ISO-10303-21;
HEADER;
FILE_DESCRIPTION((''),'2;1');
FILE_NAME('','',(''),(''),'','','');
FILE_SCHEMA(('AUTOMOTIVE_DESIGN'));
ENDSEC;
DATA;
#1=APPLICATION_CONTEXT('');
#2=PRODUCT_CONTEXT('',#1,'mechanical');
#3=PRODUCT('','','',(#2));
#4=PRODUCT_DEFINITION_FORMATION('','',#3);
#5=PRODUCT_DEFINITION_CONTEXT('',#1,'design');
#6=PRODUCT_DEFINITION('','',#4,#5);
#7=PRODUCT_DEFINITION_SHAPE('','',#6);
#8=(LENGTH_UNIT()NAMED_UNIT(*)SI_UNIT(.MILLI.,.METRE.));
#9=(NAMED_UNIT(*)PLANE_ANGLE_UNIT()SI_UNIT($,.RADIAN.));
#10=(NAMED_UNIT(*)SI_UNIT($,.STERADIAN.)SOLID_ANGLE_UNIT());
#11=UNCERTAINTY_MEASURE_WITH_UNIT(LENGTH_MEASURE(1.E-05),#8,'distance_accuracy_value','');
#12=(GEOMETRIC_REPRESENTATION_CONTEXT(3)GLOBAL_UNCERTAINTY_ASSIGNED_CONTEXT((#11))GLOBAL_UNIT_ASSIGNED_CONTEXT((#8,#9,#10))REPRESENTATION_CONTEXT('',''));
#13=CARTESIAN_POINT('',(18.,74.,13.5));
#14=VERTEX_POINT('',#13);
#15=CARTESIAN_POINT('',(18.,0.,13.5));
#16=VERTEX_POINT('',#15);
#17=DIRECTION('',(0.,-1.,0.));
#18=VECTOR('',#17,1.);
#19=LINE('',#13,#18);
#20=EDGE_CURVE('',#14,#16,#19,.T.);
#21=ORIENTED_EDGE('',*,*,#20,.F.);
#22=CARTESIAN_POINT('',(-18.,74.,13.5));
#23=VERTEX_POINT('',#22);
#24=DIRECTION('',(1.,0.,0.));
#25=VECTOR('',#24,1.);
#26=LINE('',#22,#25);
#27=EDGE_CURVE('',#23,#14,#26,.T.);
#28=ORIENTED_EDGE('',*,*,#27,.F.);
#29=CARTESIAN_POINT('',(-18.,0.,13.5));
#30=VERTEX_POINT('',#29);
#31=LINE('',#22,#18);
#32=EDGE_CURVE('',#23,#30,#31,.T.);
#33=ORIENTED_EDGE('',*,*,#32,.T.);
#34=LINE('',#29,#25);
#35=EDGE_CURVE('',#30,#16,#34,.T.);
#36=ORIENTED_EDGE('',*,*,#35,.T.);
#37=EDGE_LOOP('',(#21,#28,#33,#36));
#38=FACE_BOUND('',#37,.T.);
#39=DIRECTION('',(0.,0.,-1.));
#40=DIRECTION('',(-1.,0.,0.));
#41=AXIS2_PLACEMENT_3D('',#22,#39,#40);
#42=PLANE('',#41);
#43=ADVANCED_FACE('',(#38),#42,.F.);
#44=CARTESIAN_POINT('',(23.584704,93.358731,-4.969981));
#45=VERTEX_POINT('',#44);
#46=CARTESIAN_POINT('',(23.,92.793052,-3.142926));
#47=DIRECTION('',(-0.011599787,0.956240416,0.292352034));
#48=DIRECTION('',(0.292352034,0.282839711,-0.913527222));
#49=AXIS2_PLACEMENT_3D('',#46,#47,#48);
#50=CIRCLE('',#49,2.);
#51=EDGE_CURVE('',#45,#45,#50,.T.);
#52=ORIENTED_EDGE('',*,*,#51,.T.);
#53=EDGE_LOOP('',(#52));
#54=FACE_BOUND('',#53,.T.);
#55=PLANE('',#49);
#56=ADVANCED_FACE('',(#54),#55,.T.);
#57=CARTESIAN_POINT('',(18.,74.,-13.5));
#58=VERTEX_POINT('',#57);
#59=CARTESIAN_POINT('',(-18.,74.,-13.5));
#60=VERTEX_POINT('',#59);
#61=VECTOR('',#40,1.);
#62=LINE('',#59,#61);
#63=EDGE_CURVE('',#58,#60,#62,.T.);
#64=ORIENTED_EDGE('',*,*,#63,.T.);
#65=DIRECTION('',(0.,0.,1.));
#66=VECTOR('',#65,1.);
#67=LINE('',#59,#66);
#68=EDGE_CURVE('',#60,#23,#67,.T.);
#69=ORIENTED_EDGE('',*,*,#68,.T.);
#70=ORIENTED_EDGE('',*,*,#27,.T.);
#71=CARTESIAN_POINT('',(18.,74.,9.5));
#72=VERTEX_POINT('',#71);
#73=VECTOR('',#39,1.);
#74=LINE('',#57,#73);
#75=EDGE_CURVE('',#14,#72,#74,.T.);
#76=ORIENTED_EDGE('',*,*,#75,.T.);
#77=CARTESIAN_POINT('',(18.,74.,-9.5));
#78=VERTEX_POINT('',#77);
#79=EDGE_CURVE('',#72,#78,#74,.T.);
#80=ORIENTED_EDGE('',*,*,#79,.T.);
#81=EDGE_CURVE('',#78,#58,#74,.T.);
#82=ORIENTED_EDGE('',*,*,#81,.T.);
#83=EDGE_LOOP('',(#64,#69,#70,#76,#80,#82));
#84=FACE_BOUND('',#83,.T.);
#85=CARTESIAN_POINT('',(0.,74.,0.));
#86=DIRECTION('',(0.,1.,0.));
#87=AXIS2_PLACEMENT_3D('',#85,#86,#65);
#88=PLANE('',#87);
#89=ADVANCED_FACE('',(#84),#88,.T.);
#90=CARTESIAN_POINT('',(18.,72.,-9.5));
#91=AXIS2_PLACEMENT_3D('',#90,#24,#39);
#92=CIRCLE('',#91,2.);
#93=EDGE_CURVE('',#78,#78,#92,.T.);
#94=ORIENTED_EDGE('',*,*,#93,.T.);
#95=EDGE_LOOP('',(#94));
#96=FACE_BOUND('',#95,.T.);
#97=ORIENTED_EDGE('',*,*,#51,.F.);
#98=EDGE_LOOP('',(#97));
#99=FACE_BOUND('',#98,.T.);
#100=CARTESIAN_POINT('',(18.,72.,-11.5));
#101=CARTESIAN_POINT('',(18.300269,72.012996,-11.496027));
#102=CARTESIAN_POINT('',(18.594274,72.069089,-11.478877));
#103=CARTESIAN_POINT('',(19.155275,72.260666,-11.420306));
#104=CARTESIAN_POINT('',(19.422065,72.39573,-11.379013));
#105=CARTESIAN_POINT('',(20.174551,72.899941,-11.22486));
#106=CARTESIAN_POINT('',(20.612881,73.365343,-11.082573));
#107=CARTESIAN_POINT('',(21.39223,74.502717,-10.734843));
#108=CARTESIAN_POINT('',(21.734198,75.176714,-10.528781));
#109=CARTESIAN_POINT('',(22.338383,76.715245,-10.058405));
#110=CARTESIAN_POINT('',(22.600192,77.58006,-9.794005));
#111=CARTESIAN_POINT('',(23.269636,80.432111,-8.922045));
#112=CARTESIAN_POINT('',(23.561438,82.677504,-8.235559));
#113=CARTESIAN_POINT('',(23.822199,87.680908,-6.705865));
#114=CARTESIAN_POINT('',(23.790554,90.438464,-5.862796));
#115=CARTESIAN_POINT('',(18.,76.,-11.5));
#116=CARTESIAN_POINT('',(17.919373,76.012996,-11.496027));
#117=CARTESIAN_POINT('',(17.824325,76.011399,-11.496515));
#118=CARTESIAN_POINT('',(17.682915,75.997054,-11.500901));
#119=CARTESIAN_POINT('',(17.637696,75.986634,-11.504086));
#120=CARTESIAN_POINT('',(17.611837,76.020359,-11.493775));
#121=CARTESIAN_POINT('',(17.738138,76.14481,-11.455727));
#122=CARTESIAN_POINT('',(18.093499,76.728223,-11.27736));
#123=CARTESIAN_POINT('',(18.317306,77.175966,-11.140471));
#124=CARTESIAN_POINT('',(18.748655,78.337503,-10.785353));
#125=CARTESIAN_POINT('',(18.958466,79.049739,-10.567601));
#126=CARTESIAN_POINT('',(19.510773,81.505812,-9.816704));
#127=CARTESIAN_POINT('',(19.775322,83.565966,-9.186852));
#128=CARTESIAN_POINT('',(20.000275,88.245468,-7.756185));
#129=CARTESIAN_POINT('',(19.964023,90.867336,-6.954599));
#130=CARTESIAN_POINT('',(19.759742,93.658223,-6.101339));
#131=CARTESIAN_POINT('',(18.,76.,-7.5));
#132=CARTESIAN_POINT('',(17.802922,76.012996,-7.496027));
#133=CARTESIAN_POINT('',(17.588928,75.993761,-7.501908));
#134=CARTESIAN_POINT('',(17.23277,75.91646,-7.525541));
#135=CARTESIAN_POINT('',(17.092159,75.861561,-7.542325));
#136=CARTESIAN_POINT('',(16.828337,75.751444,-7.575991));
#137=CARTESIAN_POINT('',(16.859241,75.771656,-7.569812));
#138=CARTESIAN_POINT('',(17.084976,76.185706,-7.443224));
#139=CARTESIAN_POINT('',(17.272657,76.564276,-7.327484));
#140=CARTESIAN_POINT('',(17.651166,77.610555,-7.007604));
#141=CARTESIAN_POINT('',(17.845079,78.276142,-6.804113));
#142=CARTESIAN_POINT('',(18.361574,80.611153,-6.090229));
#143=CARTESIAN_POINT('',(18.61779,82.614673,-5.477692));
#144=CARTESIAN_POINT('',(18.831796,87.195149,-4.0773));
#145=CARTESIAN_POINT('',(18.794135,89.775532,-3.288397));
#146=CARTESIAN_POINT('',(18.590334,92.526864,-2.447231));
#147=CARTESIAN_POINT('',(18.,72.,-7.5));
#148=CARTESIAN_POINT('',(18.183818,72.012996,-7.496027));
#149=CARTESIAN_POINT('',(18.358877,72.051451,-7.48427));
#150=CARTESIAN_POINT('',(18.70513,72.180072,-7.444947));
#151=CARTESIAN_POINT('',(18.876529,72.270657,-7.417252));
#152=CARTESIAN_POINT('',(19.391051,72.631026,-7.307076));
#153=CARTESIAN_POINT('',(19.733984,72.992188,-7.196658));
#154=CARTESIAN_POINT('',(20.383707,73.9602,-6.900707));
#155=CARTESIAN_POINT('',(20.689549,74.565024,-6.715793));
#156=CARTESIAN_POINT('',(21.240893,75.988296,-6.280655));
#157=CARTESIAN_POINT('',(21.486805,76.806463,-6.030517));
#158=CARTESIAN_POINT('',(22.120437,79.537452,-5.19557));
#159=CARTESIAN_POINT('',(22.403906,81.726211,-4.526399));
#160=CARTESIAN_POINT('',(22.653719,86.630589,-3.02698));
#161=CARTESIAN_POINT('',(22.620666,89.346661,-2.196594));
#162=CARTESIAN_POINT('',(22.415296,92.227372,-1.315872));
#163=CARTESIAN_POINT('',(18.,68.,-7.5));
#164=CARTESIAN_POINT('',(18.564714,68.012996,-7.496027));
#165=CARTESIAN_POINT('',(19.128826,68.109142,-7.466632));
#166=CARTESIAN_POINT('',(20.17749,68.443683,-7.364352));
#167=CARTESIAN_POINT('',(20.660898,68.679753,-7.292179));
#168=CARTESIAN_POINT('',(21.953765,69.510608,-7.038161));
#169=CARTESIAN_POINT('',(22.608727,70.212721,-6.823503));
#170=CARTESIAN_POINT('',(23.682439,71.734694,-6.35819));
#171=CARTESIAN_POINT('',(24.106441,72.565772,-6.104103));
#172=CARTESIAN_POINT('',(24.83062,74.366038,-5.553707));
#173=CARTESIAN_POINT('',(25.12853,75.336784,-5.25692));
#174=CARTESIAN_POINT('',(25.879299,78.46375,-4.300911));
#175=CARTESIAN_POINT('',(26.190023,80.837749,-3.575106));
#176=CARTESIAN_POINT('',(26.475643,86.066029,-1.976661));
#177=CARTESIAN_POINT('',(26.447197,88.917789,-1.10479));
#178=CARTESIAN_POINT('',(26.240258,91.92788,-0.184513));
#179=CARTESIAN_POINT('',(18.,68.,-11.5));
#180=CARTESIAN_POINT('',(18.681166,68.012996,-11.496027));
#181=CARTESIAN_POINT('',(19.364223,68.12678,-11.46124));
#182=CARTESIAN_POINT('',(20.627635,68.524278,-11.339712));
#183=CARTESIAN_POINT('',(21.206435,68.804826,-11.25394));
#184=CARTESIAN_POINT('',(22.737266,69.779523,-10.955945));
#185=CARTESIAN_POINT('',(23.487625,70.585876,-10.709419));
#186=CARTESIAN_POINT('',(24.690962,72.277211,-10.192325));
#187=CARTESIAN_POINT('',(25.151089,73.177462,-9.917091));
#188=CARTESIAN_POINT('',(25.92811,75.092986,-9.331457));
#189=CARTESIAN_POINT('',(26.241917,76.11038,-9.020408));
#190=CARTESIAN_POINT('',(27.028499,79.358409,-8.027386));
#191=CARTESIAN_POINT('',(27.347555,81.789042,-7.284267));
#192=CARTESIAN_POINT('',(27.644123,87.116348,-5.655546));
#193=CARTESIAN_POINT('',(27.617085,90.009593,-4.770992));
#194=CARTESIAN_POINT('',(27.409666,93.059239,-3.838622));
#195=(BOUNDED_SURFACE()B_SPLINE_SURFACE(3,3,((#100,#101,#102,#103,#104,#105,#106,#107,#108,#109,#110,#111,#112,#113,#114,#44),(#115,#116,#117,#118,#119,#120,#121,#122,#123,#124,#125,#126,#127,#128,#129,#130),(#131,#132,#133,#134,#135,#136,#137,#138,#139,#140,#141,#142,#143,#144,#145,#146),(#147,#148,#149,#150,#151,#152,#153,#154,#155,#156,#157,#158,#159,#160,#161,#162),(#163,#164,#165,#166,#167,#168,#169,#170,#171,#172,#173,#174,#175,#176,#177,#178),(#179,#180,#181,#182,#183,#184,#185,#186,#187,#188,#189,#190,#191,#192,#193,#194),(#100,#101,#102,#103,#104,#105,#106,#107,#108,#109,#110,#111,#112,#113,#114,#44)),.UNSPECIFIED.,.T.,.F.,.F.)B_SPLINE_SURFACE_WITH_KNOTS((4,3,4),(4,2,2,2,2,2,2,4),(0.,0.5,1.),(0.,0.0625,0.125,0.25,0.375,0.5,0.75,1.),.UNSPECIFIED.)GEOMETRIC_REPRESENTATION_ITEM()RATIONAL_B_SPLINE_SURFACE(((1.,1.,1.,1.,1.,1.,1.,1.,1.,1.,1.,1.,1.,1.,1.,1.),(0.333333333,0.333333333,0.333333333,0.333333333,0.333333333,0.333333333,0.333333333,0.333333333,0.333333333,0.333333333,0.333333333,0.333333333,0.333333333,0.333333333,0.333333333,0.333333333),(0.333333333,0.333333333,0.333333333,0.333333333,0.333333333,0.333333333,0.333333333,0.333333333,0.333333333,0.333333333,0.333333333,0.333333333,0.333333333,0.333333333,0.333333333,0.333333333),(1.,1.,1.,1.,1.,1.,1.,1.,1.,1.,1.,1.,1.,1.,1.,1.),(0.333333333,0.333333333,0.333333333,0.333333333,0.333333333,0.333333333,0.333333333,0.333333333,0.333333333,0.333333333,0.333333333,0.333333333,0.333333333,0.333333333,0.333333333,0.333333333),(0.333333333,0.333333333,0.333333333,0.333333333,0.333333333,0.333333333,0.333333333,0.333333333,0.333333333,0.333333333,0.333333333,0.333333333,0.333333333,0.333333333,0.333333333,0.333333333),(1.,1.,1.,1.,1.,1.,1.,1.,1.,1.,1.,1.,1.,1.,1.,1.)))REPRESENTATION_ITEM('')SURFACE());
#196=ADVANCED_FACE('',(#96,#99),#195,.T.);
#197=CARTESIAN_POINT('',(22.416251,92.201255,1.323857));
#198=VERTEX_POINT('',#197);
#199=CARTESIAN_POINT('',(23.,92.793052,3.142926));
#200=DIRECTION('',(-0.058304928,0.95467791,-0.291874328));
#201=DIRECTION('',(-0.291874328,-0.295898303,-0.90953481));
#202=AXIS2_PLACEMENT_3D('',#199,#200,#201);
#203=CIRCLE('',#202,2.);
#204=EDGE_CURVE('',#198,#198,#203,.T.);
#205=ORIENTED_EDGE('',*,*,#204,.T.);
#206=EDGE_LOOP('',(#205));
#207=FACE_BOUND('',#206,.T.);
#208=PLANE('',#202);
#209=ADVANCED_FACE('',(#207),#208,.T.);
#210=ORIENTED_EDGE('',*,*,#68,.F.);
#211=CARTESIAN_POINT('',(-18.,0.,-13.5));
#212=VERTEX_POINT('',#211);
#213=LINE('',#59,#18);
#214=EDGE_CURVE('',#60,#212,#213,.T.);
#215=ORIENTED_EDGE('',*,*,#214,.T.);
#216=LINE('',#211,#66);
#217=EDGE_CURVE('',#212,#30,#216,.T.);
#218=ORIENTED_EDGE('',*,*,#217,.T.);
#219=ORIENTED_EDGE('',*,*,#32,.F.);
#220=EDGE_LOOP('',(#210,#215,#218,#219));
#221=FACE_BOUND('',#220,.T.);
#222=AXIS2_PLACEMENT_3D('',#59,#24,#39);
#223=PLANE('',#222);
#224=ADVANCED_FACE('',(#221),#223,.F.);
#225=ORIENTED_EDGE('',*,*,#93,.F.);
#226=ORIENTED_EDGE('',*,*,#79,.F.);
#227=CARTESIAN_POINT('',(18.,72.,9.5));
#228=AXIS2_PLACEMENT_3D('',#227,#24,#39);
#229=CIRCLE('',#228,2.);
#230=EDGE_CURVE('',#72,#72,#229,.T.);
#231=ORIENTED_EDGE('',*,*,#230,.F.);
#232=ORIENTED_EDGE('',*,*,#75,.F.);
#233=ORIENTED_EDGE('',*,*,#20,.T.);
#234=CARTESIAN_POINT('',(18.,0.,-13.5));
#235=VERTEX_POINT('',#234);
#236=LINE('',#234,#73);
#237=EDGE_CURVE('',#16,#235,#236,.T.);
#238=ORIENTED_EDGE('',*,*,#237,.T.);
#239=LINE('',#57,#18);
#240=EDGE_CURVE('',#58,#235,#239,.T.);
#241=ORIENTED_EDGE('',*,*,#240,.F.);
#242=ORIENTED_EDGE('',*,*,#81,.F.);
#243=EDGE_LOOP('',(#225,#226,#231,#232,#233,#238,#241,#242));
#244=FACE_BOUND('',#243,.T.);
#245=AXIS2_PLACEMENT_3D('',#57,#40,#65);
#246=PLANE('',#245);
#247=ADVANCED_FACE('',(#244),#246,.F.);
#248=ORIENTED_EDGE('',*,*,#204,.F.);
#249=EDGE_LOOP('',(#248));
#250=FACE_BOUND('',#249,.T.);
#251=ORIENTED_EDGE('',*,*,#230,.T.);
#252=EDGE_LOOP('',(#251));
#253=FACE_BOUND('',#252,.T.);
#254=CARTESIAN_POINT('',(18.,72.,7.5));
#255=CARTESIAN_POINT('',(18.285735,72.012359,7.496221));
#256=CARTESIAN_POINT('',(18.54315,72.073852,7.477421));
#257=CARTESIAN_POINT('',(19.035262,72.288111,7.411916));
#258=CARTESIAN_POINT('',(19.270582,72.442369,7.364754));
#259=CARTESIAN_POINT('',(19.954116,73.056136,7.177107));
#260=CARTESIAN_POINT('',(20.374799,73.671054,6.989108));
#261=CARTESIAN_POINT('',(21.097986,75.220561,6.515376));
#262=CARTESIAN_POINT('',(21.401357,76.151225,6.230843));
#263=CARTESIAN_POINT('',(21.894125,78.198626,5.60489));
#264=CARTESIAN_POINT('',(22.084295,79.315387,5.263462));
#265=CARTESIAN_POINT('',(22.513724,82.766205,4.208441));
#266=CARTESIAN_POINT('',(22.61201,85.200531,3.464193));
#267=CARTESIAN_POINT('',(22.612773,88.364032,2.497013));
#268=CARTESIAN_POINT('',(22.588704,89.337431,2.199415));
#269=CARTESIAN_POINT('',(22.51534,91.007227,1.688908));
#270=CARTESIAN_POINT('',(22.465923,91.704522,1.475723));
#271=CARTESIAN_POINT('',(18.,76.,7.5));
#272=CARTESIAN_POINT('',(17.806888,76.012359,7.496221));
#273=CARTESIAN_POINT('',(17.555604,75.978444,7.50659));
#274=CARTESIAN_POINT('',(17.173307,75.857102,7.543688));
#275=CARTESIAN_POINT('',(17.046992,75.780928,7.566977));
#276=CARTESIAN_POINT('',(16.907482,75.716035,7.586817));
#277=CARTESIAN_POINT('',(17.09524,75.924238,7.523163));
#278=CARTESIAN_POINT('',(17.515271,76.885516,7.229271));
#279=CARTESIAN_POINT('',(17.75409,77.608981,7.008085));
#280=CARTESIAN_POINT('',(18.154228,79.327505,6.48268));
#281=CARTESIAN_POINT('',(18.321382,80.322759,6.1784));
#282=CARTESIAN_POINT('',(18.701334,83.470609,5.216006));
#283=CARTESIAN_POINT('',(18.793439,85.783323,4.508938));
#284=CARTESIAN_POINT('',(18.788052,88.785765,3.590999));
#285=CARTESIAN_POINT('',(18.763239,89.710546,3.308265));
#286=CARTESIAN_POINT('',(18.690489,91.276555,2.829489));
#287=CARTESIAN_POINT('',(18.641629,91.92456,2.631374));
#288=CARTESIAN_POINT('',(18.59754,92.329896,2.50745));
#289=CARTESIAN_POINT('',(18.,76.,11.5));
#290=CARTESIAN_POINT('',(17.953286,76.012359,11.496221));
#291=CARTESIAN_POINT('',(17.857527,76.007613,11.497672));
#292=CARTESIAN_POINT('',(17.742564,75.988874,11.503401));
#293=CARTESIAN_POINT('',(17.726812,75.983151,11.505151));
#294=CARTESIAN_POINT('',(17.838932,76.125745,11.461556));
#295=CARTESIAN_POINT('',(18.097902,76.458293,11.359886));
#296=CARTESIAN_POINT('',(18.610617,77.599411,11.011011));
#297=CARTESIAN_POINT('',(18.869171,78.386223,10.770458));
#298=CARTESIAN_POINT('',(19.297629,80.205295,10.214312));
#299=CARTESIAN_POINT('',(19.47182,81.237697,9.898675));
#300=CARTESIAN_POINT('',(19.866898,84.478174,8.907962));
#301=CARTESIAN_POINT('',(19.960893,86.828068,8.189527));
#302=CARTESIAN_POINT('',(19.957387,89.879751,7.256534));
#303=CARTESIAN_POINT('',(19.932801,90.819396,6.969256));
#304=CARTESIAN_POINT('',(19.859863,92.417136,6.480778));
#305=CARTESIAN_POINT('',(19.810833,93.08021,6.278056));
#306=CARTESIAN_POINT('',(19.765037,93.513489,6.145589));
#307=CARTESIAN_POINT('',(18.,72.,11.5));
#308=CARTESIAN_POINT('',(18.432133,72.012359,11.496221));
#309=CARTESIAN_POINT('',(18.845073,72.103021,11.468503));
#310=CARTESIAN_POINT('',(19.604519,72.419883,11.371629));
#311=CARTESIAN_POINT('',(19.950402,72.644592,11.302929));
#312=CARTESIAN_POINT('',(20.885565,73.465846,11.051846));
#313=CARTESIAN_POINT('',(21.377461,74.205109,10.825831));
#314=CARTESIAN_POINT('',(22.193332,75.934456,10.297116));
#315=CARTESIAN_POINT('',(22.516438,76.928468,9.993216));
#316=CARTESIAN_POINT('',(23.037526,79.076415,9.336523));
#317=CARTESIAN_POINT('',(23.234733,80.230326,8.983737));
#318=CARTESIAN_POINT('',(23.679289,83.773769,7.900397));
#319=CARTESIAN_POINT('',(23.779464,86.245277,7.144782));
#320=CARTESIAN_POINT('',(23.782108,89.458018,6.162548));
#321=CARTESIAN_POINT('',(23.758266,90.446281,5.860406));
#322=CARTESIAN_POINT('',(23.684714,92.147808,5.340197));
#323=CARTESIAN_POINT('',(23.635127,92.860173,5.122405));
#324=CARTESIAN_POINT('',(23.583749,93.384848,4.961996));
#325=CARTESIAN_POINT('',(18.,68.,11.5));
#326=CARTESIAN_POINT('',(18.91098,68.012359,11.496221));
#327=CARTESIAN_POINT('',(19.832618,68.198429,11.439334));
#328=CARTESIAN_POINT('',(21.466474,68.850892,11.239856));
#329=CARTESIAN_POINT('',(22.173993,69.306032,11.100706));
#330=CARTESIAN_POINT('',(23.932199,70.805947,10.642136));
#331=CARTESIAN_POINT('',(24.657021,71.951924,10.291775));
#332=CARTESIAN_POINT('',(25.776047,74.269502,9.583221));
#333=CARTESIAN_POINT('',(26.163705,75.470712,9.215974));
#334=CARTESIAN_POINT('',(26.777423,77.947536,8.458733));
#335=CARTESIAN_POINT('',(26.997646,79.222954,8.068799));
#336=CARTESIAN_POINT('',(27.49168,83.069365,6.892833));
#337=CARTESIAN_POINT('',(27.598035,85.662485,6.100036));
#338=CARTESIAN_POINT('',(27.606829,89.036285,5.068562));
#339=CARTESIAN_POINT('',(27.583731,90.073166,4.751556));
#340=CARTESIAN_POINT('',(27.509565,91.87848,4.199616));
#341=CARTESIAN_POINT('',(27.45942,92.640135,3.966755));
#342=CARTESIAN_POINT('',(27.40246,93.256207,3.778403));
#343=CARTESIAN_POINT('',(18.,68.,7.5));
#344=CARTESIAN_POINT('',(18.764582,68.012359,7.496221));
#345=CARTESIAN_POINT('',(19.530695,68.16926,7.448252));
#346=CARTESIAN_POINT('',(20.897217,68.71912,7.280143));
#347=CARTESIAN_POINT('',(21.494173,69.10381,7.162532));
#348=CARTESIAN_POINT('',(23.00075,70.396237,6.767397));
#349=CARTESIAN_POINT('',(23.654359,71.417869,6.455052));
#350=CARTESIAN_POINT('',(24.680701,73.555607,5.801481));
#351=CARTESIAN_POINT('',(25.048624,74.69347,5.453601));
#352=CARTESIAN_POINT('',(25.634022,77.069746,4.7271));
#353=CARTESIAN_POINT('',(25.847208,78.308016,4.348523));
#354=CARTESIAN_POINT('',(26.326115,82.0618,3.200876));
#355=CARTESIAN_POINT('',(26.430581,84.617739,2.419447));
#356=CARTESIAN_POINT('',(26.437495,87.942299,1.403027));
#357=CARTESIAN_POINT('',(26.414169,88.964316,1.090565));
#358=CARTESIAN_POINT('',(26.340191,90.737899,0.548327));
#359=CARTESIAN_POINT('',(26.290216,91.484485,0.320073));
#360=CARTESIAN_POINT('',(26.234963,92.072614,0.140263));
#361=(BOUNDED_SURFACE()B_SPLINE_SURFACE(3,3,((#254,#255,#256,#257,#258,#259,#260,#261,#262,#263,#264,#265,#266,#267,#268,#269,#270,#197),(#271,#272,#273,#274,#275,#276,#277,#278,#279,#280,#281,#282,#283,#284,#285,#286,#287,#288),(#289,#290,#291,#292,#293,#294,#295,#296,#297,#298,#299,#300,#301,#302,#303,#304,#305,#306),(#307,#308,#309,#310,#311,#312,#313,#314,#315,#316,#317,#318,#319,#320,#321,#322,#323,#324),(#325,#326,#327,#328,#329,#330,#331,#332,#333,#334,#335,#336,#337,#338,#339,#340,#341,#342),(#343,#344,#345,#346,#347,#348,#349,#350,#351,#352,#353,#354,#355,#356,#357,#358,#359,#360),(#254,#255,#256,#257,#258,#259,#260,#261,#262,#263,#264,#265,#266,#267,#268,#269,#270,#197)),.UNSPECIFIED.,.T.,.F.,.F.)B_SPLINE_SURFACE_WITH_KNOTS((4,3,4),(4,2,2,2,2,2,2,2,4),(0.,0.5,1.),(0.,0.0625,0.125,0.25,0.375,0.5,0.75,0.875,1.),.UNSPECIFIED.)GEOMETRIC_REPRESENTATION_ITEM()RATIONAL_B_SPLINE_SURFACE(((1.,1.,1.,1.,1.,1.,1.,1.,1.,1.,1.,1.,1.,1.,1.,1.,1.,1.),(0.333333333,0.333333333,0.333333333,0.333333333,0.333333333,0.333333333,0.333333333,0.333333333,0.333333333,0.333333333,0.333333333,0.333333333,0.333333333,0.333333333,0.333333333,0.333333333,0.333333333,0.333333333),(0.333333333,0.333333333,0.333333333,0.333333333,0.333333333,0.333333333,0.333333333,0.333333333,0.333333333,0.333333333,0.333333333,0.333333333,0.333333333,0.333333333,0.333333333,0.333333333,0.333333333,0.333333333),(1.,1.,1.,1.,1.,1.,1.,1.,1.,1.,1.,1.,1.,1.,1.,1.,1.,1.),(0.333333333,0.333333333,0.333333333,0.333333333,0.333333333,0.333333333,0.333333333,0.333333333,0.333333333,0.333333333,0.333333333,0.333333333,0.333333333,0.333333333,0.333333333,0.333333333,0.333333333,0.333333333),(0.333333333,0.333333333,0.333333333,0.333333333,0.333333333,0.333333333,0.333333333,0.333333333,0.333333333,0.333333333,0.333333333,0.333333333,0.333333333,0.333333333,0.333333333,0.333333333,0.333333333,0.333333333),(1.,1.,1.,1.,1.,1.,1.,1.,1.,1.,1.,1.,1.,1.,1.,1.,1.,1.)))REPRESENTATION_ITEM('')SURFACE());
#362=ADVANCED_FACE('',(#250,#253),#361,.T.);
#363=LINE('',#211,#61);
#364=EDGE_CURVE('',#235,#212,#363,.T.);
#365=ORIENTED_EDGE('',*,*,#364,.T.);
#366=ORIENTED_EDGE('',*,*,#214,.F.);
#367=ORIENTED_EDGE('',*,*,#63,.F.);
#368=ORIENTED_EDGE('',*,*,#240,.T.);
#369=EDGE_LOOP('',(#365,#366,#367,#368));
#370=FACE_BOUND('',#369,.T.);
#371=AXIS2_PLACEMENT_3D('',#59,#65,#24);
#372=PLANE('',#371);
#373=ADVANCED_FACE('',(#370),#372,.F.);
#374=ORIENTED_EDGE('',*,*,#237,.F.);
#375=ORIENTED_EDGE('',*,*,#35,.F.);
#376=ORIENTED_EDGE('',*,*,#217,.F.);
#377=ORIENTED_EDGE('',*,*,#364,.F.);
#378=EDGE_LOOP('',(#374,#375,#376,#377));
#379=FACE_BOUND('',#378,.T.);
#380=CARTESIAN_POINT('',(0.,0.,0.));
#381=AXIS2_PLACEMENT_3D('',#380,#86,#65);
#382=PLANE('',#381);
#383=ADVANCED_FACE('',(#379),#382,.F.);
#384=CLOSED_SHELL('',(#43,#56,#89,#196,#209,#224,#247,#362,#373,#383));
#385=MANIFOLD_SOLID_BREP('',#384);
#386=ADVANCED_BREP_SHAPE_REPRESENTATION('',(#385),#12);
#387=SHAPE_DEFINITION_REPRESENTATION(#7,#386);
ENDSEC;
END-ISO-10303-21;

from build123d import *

# Parameters (mm, degrees)
SKETCH_1_W      = 36
SKETCH_1_H      = 27
EXTRUDE_1_DEPTH = 74
SKETCH_2_R      = 2
SKETCH_7_R      = 2


with BuildPart() as part:
    # Эскиз1 → Бобышка-Вытянуть1 (new body)
    with BuildSketch(Plane(origin=(0, 0, 0), x_dir=(1, 0, 0), z_dir=(0, 1, 0))):
        Rectangle(SKETCH_1_W, SKETCH_1_H)
    extrude(amount=EXTRUDE_1_DEPTH)

    # По траектории1: sweep along a path in Эскиз4
    with BuildLine() as sweep_1_path:  # in the path sketch's own coordinates; laid on its plane below (add() does not lay a ready-made edge on the line's plane)
        add(Edge.make_bspline(
            [(-18, -66.076411234), (-23.742943234, -66.28318966), (-23.404198894, -83.547219803), (-23, -87.819533928)],
            knots=[0, 0, 0, 0, 1, 1, 1, 1], degree=3))
    # Эскиз2 → По траектории1 (sweep)
    with BuildSketch(Plane(origin=(18, 0, 0), x_dir=(0, 0, -1), z_dir=(1, 0, 0))):
        with Locations((-9.5, 72)):
            Circle(SKETCH_2_R)
    sweep(path=Plane(origin=(0, 8.81081368, 28.818872995), x_dir=(-1, 0, 0), z_dir=(0, 0.2923717047227373, 0.9563047559630353)) * sweep_1_path.line)

    # По траектории2: sweep along a path in Эскиз6
    with BuildLine() as sweep_2_path:  # in the path sketch's own coordinates; laid on its plane below (add() does not lay a ready-made edge on the line's plane)
        add(Edge.make_bspline(
            [(-18, 66.076411234), (-21.87269918, 66.293847573), (-23.822441066, 75.687463782), (-23, 87.819533928)],
            knots=[0, 0, 0, 0, 1, 1, 1, 1], degree=3))
    # Эскиз7 → По траектории2 (sweep)
    with BuildSketch(Plane(origin=(18, 0, 0), x_dir=(0, 0, -1), z_dir=(1, 0, 0))):
        with Locations((9.5, 72)):
            Circle(SKETCH_7_R)
    sweep(path=Plane(origin=(0, 8.81081368, -28.818872995), x_dir=(-1, 0, 0), z_dir=(0, 0.2923717047227373, -0.9563047559630353)) * sweep_2_path.line)


solid = part.part
